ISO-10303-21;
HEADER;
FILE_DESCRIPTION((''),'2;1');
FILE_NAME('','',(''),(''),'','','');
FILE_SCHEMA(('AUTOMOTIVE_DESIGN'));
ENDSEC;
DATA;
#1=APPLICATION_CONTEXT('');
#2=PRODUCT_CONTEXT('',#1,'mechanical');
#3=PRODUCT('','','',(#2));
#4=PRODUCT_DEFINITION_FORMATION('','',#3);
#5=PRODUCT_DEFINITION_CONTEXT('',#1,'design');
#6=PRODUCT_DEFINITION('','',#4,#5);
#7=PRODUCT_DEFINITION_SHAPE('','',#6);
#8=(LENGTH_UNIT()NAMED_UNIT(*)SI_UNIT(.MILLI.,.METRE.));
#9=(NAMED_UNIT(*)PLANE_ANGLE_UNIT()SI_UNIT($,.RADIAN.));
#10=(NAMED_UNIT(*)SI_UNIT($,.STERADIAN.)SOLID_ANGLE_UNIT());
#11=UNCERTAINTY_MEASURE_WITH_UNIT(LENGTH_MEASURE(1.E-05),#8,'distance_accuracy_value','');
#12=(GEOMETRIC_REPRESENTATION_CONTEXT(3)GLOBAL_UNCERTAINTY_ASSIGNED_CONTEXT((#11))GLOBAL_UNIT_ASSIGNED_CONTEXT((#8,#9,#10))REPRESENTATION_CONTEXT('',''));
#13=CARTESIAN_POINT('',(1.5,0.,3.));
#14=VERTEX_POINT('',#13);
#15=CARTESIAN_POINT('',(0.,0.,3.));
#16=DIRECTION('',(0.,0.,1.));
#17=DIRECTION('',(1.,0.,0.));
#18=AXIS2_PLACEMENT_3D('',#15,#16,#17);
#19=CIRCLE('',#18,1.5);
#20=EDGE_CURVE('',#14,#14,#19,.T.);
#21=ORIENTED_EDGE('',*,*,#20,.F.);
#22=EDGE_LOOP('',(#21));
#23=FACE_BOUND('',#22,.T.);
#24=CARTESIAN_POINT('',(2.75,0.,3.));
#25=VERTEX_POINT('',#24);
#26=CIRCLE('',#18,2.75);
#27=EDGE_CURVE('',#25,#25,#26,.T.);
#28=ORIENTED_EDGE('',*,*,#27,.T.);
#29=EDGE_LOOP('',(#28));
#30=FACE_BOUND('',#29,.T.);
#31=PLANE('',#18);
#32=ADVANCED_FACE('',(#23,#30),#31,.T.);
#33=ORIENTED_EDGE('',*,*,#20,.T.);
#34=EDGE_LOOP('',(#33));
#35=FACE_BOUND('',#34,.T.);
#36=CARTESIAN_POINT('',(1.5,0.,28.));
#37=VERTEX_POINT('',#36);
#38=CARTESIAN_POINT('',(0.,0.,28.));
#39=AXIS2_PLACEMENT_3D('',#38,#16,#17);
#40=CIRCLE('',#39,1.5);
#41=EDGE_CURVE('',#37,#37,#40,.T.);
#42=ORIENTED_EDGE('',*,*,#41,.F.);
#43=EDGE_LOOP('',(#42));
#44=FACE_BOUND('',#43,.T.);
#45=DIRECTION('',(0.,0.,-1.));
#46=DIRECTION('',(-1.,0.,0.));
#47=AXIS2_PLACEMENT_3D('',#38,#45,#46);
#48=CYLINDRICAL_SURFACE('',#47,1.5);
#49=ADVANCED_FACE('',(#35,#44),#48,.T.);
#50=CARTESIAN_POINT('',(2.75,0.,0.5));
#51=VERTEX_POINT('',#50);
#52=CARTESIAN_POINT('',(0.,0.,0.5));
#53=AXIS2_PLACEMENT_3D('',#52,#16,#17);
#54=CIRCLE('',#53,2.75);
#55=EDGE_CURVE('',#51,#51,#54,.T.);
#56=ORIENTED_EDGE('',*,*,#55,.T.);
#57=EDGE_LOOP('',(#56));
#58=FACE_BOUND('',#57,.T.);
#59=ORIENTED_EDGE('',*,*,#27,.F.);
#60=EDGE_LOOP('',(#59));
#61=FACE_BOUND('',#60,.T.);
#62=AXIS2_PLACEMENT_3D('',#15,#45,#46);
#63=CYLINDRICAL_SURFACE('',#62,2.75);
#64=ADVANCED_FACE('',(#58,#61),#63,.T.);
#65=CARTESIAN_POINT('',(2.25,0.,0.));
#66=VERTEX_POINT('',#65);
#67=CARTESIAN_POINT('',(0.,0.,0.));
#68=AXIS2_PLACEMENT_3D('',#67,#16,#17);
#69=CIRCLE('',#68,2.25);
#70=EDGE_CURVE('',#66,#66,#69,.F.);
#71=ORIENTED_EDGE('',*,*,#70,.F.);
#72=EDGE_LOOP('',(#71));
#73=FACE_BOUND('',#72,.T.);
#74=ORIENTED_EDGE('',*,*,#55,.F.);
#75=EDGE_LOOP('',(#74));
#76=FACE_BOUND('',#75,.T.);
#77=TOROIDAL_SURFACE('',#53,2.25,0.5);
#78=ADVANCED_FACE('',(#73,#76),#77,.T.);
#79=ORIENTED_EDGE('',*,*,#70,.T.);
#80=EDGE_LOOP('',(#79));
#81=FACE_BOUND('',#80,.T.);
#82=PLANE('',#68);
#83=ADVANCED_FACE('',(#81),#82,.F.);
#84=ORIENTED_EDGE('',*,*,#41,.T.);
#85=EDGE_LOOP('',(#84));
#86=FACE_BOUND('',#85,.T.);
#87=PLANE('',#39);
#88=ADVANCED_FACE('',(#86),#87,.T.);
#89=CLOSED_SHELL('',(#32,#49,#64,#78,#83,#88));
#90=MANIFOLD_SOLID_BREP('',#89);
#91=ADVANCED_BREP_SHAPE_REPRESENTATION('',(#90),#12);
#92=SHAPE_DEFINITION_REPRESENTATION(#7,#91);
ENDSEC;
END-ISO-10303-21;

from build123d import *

# Parameters (mm, degrees)
SKETCH_2_R      = 2.75
EXTRUDE_1_DEPTH = 3
SKETCH_3_R      = 1.5
EXTRUDE_2_DEPTH = 25
FILLET_1_R      = 0.5


with BuildPart() as part:
    # ｽｹｯﾁ2 → ﾎﾞｽ - 押し出し1 (new body)
    with BuildSketch(Plane.XY):
        Circle(SKETCH_2_R)
    extrude(amount=EXTRUDE_1_DEPTH)

    # ｽｹｯﾁ3 → ﾎﾞｽ - 押し出し2 (add)
    with BuildSketch(Plane.XY.offset(3)):
        Circle(SKETCH_3_R)
    extrude(amount=EXTRUDE_2_DEPTH)

    # ﾌｨﾚｯﾄ1
    fillet_1_edges = [part.edges().sort_by_distance(p)[0] for p in [
        (-2.75, 0, 0),
    ]]
    fillet(fillet_1_edges, radius=FILLET_1_R)


solid = part.part
